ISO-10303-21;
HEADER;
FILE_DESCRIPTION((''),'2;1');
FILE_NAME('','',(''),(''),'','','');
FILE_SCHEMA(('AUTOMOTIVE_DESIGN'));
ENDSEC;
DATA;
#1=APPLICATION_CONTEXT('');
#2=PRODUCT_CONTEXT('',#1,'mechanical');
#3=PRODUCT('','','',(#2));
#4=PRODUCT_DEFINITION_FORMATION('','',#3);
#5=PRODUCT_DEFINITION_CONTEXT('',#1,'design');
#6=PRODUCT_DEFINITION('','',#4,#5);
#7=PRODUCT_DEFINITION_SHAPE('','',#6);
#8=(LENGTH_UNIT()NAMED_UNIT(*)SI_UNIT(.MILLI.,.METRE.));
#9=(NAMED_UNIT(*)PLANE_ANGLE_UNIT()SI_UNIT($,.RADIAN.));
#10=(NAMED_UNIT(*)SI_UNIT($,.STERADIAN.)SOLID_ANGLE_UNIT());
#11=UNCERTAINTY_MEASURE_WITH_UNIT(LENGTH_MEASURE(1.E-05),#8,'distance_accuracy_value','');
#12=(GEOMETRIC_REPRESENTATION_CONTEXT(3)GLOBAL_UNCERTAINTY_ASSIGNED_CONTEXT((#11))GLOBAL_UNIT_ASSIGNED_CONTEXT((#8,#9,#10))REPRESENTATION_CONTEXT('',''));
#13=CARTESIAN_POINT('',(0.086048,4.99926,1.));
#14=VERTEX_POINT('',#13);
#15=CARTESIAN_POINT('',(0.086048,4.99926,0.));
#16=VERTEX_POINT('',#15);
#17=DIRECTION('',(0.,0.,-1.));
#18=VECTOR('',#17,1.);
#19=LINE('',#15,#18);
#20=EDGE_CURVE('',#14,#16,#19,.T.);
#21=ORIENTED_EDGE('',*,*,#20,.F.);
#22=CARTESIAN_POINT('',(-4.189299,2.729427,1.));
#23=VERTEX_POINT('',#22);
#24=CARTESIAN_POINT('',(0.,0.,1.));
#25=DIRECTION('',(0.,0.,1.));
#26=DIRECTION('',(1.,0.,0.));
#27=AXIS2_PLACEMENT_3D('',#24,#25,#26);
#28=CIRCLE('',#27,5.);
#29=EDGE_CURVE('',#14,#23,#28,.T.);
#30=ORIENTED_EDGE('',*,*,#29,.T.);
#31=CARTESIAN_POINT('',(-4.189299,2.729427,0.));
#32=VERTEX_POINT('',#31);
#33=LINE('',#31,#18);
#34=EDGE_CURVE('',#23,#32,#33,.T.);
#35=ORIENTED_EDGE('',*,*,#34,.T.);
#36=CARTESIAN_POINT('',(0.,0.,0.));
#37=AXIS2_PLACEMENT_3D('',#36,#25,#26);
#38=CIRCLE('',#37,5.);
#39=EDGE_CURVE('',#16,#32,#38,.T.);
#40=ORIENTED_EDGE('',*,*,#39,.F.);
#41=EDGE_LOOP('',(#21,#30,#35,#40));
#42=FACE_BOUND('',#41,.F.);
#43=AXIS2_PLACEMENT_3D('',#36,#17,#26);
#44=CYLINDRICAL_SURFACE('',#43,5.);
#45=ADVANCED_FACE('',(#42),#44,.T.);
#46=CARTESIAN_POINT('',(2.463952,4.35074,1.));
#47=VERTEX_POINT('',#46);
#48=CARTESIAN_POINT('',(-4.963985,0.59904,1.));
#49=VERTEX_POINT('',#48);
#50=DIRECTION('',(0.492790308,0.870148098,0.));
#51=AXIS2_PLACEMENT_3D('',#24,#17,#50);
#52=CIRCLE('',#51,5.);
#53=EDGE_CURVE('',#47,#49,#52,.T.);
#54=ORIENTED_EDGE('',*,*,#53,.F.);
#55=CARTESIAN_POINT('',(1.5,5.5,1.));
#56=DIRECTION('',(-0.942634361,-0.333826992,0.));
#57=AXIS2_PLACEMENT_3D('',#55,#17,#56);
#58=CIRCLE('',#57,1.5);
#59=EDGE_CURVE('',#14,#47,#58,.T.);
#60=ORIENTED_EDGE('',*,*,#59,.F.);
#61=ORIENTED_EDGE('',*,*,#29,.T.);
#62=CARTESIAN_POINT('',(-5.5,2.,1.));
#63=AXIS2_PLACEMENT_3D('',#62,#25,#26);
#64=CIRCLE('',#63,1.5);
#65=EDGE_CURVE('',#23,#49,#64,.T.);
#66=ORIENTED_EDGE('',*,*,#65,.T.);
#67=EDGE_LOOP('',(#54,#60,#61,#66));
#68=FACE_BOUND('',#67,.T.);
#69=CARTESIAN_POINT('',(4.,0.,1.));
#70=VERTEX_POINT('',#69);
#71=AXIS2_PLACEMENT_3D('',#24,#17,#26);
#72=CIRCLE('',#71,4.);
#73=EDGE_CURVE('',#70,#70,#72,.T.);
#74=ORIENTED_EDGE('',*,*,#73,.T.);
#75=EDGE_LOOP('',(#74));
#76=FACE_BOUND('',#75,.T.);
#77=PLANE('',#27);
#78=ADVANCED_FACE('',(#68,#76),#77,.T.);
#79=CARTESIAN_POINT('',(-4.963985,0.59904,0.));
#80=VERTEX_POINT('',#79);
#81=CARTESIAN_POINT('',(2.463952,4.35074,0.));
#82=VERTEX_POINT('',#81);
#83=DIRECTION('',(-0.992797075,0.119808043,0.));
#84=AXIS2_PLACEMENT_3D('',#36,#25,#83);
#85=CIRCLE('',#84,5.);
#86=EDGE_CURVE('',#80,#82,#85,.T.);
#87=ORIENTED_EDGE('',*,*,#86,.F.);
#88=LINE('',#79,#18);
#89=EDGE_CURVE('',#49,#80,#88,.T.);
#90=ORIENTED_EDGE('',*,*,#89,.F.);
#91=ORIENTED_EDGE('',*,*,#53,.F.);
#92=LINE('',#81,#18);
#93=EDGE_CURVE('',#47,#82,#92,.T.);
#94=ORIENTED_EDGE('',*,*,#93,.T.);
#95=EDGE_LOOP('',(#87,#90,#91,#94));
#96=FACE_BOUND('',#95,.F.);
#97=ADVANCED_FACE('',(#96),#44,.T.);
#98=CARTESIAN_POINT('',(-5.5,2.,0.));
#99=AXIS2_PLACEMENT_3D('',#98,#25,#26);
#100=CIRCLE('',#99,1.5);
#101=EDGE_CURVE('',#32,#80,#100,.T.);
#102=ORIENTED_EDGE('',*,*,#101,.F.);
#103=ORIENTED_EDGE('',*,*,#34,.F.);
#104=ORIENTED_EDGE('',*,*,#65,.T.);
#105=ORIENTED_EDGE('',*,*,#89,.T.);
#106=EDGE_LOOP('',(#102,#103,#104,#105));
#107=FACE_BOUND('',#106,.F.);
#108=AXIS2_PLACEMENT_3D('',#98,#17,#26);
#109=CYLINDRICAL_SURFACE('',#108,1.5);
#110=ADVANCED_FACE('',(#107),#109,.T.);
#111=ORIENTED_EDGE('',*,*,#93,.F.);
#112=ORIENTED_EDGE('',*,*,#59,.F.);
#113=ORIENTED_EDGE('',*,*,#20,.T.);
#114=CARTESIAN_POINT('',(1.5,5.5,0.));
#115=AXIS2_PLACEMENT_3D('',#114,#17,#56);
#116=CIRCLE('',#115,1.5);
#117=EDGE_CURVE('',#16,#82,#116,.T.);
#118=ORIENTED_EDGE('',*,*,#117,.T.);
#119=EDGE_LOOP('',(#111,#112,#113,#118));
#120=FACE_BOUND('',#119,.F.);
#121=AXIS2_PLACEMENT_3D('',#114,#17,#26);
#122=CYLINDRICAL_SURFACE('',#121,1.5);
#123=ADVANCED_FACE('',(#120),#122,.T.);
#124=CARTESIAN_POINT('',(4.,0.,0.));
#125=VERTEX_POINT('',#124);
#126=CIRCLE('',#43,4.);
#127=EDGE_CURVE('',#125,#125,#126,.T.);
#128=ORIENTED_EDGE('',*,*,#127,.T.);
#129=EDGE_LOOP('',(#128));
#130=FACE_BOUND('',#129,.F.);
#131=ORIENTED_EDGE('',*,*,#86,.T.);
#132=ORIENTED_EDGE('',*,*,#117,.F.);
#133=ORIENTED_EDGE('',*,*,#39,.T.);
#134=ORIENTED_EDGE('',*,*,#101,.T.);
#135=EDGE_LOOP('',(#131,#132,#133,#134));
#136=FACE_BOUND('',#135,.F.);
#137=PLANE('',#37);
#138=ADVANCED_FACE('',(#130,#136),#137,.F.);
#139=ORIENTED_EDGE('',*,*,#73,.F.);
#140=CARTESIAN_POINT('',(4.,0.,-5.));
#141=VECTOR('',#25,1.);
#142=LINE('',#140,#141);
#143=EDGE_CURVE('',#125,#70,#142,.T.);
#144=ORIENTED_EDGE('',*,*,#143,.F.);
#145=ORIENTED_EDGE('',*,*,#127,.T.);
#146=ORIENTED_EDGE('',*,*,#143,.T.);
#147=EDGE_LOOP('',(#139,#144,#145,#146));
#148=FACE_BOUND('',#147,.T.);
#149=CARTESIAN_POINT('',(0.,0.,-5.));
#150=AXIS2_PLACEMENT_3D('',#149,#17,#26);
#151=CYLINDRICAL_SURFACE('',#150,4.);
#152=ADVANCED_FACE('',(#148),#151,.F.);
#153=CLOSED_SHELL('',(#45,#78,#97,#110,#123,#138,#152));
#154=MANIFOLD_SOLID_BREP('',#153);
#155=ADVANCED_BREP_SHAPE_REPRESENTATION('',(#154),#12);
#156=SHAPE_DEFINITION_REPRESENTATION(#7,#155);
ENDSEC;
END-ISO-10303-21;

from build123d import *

# Parameters (mm, degrees)
CYLINDER003_R     = 1.5
CYLINDER003_DEPTH = 1
CYLINDER001_R     = 4
CYLINDER001_DEPTH = 10
CYLINDER_R        = 5
CYLINDER_DEPTH    = 1
CYLINDER002_R     = 1.5
CYLINDER002_DEPTH = 1


with BuildPart() as cylinder003:
    # Cylinder003 → Cylinder003 (new body)
    with BuildSketch(Plane(origin=(1.5, 5.5, 0), x_dir=(1, 0, 0), z_dir=(0, 0, 1))):
        Circle(CYLINDER003_R)
    extrude(amount=CYLINDER003_DEPTH)


with BuildPart() as cylinder001:
    # Cylinder001 → Cylinder001 (new body)
    with BuildSketch(Plane.XY.offset(-5)):
        Circle(CYLINDER001_R)
    extrude(amount=CYLINDER001_DEPTH)


with BuildPart() as cut:
    # Cylinder → Cylinder (new body)
    with BuildSketch(Plane.XY):
        Circle(CYLINDER_R)
    extrude(amount=CYLINDER_DEPTH)

    # Cut: cut Cylinder001
    add(cylinder001.part, mode=Mode.SUBTRACT)


with BuildPart() as fusion:
    # Cylinder002 → Cylinder002 (new body)
    with BuildSketch(Plane(origin=(-5.5, 2, 0), x_dir=(1, 0, 0), z_dir=(0, 0, 1))):
        Circle(CYLINDER002_R)
    extrude(amount=CYLINDER002_DEPTH)

    # Fusion: union Cylinder003, Cut
    add(cylinder003.part)
    add(cut.part)


solid = fusion.part
